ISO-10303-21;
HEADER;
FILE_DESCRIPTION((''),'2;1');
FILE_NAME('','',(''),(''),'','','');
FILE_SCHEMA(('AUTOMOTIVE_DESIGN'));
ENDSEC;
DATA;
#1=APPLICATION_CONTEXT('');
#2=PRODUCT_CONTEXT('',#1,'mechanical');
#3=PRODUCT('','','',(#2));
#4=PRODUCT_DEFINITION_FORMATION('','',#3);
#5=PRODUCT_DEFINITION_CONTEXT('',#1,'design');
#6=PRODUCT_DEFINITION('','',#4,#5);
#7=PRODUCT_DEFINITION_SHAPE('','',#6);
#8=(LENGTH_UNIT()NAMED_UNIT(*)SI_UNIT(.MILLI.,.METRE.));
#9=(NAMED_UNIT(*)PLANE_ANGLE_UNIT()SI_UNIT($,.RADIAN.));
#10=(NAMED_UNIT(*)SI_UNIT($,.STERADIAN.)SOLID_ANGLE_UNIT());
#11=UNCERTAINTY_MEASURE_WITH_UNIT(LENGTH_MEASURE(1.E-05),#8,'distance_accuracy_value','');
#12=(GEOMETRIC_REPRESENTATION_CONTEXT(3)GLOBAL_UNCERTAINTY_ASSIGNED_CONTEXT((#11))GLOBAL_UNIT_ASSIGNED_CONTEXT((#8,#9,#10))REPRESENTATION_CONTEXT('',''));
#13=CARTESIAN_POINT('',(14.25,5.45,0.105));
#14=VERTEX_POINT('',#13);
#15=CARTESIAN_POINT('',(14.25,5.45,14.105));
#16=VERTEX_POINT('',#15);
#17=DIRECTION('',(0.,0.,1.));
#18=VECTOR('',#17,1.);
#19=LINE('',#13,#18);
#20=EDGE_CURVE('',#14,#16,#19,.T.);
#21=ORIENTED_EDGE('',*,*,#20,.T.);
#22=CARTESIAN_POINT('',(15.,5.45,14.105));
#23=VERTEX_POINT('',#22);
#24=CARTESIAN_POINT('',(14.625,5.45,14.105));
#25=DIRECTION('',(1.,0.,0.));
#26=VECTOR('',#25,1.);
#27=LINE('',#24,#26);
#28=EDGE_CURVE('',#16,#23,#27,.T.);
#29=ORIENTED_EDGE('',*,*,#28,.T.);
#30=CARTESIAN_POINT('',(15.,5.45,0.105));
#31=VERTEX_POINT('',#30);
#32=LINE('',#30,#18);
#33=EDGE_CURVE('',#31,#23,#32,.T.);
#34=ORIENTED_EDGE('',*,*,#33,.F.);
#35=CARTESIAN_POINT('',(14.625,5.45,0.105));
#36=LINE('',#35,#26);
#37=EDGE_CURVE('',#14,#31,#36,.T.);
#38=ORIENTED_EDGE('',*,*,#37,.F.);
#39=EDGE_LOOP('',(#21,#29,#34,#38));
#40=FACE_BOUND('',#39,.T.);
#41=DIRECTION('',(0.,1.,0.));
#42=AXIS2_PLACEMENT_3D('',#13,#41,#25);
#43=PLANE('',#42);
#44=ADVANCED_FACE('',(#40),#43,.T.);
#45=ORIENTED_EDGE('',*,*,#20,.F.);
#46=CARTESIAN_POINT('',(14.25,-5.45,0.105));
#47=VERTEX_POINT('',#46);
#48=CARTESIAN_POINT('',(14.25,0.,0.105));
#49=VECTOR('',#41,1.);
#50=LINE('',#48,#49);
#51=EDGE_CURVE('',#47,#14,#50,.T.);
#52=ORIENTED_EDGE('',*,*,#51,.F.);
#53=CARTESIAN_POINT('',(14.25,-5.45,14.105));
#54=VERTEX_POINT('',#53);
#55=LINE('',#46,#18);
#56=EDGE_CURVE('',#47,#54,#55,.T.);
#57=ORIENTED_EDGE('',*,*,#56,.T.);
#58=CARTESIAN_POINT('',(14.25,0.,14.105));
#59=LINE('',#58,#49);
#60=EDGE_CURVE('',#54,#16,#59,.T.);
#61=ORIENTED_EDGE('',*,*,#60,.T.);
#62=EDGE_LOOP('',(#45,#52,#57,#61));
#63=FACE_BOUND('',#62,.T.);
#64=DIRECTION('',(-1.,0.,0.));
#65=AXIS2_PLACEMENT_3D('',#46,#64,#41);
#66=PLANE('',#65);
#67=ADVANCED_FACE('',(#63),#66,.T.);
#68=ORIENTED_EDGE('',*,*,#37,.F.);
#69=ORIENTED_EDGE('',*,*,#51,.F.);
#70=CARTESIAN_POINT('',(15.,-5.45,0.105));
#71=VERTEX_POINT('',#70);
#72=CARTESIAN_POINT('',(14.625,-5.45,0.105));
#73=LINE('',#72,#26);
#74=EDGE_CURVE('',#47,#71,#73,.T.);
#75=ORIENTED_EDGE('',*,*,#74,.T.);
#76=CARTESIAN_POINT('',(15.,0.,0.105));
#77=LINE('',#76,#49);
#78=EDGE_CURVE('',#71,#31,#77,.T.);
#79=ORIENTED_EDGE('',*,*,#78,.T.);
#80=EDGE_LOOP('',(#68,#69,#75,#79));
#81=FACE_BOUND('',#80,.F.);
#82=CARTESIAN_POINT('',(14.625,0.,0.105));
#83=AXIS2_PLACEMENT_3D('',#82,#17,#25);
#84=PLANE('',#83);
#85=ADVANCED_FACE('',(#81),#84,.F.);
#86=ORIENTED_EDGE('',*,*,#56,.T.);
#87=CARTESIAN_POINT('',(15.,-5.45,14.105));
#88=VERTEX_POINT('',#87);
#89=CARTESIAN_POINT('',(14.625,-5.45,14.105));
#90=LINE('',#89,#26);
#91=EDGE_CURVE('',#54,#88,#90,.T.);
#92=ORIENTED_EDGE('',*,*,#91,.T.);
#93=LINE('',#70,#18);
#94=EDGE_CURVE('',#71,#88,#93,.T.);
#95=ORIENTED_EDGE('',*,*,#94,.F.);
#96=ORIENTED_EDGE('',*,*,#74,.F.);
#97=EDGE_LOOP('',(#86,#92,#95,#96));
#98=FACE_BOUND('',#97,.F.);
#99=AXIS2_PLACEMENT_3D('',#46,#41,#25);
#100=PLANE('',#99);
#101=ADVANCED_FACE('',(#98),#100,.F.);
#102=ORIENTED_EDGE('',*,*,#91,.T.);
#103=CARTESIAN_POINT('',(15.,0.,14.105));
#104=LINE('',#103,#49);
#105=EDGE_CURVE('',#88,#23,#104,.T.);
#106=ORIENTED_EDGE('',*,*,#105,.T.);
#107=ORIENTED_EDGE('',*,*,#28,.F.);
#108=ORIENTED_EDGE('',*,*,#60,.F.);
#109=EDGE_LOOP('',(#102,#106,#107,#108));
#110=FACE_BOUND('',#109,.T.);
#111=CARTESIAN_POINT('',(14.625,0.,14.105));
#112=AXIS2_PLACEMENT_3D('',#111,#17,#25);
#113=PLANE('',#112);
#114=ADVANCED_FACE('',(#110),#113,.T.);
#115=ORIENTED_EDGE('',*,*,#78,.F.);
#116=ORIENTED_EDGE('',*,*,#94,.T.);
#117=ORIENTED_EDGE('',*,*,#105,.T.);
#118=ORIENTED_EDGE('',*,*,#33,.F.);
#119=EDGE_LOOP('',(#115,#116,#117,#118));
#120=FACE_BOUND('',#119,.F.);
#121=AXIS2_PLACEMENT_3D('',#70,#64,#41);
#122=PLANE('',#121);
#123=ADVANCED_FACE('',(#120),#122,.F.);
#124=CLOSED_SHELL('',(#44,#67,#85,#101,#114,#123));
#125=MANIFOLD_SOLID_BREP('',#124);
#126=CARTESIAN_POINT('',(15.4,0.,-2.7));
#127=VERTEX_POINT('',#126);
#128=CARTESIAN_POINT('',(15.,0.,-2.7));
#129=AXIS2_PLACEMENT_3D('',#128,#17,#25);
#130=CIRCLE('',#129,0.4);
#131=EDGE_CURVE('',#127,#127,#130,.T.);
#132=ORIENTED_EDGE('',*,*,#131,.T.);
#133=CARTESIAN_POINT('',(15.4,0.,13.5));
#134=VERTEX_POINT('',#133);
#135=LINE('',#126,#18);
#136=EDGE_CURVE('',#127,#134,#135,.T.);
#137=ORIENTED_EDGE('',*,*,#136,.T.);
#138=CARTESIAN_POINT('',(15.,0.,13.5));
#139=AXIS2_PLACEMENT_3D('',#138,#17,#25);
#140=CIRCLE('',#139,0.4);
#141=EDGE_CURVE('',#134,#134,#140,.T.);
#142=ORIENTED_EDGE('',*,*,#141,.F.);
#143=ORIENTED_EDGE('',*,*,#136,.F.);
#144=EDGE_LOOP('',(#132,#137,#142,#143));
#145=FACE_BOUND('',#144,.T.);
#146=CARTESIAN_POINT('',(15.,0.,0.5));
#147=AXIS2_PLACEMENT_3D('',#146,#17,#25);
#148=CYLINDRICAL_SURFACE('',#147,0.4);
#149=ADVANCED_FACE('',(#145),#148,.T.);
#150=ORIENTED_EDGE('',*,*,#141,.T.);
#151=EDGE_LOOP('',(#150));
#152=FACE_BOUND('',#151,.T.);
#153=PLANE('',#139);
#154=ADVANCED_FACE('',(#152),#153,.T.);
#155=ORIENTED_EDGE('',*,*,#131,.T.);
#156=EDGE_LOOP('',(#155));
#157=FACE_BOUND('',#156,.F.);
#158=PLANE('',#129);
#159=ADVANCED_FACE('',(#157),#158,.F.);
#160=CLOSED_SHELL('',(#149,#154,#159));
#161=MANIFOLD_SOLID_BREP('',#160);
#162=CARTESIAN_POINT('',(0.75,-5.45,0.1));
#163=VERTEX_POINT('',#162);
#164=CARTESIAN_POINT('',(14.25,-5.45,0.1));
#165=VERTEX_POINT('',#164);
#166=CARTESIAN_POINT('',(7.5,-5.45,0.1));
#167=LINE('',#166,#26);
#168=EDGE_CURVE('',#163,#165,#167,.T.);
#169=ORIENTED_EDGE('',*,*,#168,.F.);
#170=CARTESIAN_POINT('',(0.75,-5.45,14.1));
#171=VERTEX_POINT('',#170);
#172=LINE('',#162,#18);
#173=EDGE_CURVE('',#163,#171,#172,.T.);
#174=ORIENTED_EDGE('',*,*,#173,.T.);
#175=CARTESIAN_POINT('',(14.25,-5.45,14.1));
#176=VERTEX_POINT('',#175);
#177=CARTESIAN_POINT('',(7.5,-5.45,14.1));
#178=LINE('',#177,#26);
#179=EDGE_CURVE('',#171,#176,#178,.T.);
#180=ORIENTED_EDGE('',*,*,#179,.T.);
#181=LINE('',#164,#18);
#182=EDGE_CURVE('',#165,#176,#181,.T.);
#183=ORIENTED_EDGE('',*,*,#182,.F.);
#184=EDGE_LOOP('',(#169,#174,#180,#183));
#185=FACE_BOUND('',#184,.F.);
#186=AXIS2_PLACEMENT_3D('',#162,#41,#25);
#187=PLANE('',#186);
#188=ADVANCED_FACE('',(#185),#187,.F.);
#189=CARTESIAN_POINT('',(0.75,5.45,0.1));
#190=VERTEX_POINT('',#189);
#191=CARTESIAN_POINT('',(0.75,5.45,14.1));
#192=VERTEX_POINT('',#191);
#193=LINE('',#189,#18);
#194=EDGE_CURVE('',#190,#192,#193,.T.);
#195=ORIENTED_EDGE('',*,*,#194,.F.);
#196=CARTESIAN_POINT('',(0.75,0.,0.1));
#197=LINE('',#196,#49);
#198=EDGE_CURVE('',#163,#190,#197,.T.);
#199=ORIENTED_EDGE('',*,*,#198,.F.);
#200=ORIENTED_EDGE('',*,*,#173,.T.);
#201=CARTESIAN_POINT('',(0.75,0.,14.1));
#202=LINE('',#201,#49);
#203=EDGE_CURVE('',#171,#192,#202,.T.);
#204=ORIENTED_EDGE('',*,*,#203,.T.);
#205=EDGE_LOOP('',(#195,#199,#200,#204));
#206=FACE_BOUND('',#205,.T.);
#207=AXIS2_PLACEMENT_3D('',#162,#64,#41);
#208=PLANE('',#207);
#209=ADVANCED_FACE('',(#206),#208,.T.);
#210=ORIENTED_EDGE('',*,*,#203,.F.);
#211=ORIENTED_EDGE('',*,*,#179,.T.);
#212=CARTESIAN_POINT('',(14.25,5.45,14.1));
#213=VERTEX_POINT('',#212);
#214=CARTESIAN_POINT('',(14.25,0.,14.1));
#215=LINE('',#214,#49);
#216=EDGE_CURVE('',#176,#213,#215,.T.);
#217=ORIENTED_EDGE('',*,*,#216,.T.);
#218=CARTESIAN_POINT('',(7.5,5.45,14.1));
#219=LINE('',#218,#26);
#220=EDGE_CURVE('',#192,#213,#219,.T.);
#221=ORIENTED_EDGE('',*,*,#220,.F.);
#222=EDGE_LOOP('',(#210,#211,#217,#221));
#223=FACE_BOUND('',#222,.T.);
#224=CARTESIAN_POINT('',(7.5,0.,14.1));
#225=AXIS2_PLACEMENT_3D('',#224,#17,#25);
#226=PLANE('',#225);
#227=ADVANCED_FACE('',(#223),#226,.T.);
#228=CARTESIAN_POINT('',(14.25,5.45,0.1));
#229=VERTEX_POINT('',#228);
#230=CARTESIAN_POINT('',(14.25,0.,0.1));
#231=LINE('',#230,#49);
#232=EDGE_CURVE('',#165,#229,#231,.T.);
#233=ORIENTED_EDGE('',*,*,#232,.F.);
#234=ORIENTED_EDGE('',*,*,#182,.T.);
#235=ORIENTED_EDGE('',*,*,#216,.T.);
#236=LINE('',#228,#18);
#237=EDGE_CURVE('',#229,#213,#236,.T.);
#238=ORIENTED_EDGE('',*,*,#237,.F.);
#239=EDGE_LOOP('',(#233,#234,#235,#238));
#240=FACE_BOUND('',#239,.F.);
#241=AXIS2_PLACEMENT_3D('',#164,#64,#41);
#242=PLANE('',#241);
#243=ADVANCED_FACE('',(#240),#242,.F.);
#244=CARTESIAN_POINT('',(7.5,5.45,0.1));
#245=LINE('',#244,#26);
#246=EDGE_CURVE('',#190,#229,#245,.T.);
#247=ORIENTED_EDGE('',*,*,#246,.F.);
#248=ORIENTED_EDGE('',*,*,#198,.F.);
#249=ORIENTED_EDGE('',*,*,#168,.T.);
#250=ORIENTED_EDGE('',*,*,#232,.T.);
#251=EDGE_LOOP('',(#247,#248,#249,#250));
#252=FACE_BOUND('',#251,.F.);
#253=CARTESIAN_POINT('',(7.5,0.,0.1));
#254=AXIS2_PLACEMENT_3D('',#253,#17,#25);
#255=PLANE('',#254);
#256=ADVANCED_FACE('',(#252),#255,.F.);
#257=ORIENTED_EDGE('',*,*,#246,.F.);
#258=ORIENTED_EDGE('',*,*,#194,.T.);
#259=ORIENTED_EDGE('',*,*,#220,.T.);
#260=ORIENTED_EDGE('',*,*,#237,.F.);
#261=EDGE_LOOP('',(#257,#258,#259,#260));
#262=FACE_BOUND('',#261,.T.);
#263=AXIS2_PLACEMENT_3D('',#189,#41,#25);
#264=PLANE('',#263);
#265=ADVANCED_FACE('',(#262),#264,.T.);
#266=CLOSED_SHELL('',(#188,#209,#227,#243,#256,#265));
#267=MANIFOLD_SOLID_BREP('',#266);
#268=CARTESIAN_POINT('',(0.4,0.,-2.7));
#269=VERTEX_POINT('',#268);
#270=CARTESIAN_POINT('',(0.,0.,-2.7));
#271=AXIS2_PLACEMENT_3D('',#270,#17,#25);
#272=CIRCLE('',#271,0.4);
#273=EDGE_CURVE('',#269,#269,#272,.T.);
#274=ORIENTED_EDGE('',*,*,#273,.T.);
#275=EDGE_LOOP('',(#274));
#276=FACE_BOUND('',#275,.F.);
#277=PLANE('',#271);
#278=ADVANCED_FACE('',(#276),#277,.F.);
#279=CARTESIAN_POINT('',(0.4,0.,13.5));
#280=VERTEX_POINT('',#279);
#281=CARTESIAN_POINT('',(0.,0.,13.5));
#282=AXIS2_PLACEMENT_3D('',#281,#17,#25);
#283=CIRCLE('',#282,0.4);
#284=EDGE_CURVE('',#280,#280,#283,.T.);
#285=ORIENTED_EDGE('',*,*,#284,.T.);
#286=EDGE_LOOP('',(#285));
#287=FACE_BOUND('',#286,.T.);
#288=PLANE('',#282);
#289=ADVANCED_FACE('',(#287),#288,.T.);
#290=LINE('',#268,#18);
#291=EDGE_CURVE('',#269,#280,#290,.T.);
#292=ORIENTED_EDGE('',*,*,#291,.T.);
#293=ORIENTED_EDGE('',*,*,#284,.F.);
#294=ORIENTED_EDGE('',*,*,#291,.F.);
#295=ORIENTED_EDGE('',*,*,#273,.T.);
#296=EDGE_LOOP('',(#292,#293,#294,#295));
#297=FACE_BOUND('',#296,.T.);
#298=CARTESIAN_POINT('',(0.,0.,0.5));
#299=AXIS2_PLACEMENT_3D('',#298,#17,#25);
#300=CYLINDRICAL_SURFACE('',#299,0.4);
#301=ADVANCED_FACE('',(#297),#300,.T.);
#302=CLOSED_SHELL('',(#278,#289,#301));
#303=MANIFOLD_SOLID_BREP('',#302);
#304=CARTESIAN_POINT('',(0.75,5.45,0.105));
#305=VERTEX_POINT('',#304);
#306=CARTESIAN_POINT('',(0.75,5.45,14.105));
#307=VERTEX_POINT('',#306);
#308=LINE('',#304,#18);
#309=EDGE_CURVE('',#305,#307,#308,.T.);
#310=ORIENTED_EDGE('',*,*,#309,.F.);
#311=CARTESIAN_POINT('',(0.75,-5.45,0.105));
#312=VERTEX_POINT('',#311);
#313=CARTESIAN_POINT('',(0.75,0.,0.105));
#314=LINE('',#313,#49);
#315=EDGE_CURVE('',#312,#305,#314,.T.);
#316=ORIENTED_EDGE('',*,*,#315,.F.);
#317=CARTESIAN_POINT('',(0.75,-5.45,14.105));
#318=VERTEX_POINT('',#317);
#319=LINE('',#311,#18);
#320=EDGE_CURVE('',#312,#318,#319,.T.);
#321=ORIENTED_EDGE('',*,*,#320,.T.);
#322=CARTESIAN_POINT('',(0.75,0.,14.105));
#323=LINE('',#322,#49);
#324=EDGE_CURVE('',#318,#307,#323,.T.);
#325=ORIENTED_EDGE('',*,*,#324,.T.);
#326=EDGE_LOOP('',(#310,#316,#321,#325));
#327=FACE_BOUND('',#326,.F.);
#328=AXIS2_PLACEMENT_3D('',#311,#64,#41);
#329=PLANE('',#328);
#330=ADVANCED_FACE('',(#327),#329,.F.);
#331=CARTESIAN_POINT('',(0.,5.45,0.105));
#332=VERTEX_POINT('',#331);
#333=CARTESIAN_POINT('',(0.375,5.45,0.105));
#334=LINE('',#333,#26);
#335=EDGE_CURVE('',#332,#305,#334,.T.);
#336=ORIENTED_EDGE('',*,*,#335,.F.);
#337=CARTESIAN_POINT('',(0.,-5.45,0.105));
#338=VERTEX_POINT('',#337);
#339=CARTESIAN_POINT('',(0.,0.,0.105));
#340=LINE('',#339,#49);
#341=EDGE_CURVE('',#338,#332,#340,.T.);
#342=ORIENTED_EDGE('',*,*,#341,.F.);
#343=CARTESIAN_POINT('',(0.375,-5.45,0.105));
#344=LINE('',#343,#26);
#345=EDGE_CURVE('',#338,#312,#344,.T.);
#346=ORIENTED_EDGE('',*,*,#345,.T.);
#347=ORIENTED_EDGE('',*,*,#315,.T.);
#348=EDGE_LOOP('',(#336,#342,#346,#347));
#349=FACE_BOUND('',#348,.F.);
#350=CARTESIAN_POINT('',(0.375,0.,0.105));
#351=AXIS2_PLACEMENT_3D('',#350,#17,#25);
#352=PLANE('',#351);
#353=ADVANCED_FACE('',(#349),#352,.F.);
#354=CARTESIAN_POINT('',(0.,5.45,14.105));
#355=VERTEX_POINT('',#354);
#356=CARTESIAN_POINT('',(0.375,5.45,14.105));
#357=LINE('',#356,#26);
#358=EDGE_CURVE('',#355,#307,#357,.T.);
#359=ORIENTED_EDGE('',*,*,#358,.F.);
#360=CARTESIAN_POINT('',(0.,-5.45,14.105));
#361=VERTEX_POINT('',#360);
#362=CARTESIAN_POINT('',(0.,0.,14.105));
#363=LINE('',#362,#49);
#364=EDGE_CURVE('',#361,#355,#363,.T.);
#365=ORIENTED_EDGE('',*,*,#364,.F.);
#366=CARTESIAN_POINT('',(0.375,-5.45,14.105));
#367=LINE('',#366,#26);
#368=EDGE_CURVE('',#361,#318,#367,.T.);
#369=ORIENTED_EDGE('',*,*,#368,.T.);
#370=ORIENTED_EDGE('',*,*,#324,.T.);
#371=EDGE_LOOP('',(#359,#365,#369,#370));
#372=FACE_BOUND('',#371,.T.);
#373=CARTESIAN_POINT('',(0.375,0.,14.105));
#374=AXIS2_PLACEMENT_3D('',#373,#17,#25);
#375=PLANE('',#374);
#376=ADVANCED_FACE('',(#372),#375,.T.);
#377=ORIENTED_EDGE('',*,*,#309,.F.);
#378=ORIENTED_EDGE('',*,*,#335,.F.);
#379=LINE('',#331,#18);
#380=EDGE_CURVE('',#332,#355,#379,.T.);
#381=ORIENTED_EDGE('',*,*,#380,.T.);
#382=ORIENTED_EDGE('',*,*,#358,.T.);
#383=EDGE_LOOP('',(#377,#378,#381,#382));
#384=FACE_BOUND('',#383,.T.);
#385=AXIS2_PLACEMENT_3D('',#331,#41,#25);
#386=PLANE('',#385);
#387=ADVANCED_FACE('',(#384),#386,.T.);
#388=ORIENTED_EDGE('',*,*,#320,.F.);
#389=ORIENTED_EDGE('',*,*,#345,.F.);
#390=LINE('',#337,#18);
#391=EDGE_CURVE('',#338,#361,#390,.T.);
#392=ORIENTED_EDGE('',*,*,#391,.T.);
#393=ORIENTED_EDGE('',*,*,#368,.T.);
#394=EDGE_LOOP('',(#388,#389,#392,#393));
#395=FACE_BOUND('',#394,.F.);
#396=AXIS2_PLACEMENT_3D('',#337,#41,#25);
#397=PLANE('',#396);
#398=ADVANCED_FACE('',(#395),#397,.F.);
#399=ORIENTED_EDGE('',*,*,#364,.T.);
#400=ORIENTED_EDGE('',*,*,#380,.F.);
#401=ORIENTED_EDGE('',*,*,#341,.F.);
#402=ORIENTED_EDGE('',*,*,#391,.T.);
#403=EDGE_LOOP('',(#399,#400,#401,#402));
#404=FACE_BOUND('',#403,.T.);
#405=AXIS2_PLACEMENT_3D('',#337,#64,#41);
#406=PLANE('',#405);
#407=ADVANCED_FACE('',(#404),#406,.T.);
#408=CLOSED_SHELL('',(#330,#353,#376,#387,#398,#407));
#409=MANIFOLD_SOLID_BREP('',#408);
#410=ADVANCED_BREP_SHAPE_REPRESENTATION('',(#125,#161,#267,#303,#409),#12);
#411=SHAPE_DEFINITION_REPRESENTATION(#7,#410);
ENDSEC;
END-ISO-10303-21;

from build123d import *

# Parameters (mm, degrees)
SKETCH_W          = 13.5
SKETCH_H          = 10.9
PAD_DEPTH         = 14
SKETCH001_R       = 0.4
PAD001_DEPTH      = 13
PAD001_DEPTH_BACK = 3.2
SKETCH002_W       = 0.75
SKETCH002_H       = 10.9
PAD002_DEPTH      = 14


with BuildPart() as pad:
    # Sketch → Pad (new body)
    with BuildSketch(Plane.XY.offset(0.1)):
        with Locations((7.5, 0)):
            Rectangle(SKETCH_W, SKETCH_H)
    extrude(amount=PAD_DEPTH)


with BuildPart() as pad001:
    # Sketch001 → Pad001 (new body, two sides)
    with BuildSketch(Plane.XY.offset(0.5)) as pad001_sk:
        Circle(SKETCH001_R)
        with Locations((15, 0)):
            Circle(SKETCH001_R)
    extrude(amount=PAD001_DEPTH)
    extrude(pad001_sk.sketch, amount=-PAD001_DEPTH_BACK)


with BuildPart() as pad002:
    # Sketch002 → Pad002 (new body)
    with BuildSketch(Plane.XY.offset(0.105)):
        with Locations((0.375, 0)):
            Rectangle(SKETCH002_W, SKETCH002_H)
        with Locations((14.625, 0)):
            Rectangle(SKETCH002_W, SKETCH002_H)
    extrude(amount=PAD002_DEPTH)


solid = Compound([pad.part, pad001.part, pad002.part])
